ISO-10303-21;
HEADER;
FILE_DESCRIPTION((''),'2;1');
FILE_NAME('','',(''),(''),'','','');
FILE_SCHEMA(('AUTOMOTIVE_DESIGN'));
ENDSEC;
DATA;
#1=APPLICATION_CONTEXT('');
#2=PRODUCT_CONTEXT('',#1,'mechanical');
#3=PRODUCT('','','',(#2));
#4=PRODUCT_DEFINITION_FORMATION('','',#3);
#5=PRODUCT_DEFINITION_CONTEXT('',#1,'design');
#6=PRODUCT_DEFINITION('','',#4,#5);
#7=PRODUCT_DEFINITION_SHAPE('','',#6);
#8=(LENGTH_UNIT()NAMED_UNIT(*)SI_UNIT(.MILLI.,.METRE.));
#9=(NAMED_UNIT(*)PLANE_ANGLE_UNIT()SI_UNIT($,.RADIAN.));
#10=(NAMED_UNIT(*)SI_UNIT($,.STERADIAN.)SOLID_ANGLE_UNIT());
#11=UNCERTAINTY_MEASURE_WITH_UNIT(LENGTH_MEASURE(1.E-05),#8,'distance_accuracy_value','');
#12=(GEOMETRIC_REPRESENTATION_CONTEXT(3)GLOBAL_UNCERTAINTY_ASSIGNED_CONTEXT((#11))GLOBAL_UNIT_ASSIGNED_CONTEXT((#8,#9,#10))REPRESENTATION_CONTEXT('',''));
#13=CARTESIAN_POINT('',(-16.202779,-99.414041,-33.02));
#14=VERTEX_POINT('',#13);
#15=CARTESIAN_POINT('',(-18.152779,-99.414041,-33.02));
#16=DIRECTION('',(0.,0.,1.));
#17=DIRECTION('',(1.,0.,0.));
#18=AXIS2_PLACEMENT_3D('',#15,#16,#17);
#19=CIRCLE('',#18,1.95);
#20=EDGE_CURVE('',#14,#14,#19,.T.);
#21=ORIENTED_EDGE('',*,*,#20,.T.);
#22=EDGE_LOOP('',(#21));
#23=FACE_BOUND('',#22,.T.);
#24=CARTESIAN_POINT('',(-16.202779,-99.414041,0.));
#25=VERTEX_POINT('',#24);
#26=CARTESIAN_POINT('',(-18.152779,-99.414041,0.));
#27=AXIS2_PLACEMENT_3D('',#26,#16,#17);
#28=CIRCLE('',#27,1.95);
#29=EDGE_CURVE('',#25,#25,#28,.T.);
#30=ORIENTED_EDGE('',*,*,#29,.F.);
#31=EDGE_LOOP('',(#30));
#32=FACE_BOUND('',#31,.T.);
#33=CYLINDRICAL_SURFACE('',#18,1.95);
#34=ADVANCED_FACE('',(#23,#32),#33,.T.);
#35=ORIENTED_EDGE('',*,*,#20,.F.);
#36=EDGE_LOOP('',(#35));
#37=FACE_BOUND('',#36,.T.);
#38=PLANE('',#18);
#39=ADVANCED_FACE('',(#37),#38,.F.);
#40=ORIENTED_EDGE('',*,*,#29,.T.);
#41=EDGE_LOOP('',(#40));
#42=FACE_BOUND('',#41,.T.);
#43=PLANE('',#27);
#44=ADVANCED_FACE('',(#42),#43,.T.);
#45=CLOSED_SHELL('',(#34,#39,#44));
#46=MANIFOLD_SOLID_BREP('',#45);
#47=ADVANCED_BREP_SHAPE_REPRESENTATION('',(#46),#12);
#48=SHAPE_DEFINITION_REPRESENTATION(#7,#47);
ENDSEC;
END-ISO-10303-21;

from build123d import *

# Parameters (mm, degrees)
SKETCH3_R           = 1.95
BOSS_EXTRUDE1_DEPTH = 33.02


with BuildPart() as part:
    # Sketch3 → Boss-Extrude1 (new body)
    with BuildSketch(Plane.XY):
        with Locations((-18.152779015, -99.41404144)):
            Circle(SKETCH3_R)
    extrude(amount=-BOSS_EXTRUDE1_DEPTH)


solid = part.part
